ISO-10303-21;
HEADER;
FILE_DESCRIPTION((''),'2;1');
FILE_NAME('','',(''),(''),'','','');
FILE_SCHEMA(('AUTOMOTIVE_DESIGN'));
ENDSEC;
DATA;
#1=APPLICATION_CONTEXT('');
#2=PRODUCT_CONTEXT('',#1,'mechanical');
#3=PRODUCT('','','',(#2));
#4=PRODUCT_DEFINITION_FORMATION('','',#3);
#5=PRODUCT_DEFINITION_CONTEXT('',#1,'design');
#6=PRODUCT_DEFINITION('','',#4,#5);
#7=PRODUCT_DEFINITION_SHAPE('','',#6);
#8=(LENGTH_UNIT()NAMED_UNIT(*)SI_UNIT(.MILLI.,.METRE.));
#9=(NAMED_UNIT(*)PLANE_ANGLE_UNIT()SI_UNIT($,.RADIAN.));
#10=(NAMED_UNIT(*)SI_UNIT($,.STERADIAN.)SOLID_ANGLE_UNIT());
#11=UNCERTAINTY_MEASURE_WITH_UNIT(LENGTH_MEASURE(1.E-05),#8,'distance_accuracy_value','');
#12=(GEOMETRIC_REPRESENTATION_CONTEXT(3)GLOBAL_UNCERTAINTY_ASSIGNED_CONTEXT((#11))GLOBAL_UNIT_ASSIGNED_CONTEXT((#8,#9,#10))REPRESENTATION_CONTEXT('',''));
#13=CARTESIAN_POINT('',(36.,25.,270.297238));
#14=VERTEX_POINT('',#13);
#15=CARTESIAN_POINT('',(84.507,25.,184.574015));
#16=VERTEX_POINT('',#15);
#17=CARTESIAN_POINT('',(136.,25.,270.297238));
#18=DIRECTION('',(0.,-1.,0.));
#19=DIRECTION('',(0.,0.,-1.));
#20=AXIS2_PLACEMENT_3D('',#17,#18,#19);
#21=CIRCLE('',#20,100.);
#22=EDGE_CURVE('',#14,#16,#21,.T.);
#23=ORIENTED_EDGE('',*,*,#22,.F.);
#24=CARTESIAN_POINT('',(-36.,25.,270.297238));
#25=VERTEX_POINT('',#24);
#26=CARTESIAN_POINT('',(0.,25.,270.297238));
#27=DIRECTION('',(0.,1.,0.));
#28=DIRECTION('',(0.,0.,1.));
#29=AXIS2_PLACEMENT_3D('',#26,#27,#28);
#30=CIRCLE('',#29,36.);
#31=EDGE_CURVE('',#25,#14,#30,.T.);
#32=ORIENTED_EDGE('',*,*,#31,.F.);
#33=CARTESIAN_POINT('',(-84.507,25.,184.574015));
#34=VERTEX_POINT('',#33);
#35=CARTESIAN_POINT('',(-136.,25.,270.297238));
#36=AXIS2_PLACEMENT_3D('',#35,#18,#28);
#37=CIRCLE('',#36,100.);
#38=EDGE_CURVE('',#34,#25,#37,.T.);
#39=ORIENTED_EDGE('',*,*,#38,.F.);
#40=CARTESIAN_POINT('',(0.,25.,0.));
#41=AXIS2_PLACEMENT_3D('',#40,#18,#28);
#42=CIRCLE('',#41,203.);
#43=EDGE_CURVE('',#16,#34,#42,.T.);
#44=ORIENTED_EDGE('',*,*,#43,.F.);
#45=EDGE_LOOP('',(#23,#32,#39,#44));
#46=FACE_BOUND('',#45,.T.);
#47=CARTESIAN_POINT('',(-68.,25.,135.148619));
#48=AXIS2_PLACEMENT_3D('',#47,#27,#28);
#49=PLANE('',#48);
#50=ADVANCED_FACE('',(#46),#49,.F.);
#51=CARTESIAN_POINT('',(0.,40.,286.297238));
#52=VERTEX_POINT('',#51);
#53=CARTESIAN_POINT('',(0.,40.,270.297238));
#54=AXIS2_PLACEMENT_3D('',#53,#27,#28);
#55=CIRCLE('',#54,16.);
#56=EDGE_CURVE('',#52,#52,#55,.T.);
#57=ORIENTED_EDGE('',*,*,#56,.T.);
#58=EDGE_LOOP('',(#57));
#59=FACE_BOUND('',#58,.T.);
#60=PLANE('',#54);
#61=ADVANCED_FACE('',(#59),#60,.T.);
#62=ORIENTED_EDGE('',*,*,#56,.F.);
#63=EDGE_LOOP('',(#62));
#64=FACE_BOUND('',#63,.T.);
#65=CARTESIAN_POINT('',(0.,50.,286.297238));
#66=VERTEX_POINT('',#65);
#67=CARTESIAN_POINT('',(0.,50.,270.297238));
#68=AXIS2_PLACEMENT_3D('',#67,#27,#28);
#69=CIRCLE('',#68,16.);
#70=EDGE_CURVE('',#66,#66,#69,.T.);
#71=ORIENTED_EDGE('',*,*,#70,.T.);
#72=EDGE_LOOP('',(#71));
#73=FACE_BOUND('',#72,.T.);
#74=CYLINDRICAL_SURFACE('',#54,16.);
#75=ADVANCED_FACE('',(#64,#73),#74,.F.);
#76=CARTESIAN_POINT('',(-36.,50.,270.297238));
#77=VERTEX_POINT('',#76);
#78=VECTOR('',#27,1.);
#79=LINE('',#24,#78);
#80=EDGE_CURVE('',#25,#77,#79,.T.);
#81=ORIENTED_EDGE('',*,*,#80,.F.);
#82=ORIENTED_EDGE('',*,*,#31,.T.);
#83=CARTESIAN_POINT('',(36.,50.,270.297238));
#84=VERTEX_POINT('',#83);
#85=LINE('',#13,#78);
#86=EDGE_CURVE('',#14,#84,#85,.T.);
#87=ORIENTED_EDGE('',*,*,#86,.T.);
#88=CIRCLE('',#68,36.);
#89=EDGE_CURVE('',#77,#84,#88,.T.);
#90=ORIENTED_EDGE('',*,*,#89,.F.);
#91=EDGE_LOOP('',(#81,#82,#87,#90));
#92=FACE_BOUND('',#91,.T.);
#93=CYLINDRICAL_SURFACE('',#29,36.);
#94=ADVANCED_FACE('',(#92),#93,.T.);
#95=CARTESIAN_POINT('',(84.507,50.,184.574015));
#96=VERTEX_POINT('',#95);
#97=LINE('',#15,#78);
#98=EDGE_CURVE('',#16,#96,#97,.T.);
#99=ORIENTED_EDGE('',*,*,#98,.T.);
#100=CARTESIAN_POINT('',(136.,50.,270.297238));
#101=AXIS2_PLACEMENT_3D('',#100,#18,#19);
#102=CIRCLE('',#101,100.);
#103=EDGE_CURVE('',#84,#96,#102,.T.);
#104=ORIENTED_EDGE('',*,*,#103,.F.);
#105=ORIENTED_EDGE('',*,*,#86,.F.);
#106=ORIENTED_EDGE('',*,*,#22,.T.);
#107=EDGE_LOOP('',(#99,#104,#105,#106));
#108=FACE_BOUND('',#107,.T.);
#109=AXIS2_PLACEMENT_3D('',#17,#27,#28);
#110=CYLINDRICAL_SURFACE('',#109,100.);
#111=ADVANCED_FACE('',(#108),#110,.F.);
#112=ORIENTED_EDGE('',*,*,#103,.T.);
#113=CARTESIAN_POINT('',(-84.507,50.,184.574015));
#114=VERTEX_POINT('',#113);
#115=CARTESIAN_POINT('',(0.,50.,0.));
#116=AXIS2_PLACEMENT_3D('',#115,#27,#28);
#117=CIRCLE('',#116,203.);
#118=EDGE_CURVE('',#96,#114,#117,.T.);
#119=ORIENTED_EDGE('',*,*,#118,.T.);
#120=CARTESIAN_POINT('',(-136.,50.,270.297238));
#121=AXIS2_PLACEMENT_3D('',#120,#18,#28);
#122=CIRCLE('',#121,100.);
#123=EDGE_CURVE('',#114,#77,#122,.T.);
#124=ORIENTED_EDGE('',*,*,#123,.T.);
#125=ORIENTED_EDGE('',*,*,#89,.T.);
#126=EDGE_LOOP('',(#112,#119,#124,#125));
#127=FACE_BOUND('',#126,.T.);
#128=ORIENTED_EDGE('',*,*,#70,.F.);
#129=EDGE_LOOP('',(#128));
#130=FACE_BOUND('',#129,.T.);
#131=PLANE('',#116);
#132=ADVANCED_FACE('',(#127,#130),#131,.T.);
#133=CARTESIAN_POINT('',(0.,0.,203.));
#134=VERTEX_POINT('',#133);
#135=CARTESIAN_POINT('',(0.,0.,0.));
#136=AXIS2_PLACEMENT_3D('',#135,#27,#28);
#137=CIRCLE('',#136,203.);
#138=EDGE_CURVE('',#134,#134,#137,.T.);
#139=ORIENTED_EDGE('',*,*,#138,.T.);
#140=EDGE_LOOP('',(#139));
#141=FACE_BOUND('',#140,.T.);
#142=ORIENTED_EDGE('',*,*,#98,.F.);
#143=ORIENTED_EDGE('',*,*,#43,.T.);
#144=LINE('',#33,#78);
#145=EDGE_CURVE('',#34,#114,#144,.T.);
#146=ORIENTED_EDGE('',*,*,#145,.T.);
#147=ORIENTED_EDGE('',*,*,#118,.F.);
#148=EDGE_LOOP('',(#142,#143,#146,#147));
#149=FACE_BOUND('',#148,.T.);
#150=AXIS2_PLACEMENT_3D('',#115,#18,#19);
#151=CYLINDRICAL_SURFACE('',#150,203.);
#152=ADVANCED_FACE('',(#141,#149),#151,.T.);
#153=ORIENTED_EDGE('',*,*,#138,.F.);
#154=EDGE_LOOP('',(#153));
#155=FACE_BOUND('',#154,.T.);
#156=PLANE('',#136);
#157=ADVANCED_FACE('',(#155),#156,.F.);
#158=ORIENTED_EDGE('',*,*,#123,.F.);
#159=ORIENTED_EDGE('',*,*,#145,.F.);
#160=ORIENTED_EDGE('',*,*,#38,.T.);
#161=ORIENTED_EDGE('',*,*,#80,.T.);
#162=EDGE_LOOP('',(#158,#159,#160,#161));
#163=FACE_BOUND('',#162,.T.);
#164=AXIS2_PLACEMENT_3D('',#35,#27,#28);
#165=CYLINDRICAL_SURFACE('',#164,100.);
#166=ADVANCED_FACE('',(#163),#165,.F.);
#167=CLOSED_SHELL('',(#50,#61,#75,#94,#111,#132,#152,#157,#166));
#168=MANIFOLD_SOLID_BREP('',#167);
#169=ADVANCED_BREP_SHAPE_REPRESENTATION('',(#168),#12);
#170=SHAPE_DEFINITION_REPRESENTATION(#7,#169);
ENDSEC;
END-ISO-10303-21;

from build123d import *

# Parameters (mm, degrees)
SKETCH1_R           = 203
BOSS_EXTRUDE1_DEPTH = 50
BOSS_EXTRUDE2_START = -25
BOSS_EXTRUDE2_DEPTH = 25
SKETCH3_R           = 16
CUT_EXTRUDE1_DEPTH  = 10


with BuildPart() as part:
    # Sketch1 → Boss-Extrude1 (new body)
    with BuildSketch(Plane(origin=(0, 0, 0), x_dir=(1, 0, 0), z_dir=(0, 1, 0))):
        with Locations(Location((0, 0, 0), (0, 0, 270))):
            Circle(SKETCH1_R)
    extrude(amount=BOSS_EXTRUDE1_DEPTH)

    # Sketch2 → Boss-Extrude2 (add)
    with BuildSketch(Plane(origin=(0, 50, 0), x_dir=(1, 0, 0), z_dir=(0, 1, 0)).offset(BOSS_EXTRUDE2_START)):
        with BuildLine():
            ThreePointArc((-36, -270.29723777), (0, -306.29723777), (36, -270.29723777))
            ThreePointArc((36, -270.29723777), (48.967534793, -221.049395178), (84.507, -184.574014831))
            ThreePointArc((84.507, -184.574014831), (0, -203), (-84.507, -184.574014831))
            ThreePointArc((-84.507, -184.574014831), (-48.967534793, -221.049395178), (-36, -270.29723777))
        make_face()
    extrude(amount=BOSS_EXTRUDE2_DEPTH)

    # Sketch3 → Cut-Extrude1 (cut)
    with BuildSketch(Plane(origin=(0, 50, 0), x_dir=(1, 0, 0), z_dir=(0, 1, 0))):
        with Locations(Location((0, -270.29723777, 0), (0, 0, 270))):
            Circle(SKETCH3_R)
    extrude(amount=-CUT_EXTRUDE1_DEPTH, mode=Mode.SUBTRACT)


solid = part.part
